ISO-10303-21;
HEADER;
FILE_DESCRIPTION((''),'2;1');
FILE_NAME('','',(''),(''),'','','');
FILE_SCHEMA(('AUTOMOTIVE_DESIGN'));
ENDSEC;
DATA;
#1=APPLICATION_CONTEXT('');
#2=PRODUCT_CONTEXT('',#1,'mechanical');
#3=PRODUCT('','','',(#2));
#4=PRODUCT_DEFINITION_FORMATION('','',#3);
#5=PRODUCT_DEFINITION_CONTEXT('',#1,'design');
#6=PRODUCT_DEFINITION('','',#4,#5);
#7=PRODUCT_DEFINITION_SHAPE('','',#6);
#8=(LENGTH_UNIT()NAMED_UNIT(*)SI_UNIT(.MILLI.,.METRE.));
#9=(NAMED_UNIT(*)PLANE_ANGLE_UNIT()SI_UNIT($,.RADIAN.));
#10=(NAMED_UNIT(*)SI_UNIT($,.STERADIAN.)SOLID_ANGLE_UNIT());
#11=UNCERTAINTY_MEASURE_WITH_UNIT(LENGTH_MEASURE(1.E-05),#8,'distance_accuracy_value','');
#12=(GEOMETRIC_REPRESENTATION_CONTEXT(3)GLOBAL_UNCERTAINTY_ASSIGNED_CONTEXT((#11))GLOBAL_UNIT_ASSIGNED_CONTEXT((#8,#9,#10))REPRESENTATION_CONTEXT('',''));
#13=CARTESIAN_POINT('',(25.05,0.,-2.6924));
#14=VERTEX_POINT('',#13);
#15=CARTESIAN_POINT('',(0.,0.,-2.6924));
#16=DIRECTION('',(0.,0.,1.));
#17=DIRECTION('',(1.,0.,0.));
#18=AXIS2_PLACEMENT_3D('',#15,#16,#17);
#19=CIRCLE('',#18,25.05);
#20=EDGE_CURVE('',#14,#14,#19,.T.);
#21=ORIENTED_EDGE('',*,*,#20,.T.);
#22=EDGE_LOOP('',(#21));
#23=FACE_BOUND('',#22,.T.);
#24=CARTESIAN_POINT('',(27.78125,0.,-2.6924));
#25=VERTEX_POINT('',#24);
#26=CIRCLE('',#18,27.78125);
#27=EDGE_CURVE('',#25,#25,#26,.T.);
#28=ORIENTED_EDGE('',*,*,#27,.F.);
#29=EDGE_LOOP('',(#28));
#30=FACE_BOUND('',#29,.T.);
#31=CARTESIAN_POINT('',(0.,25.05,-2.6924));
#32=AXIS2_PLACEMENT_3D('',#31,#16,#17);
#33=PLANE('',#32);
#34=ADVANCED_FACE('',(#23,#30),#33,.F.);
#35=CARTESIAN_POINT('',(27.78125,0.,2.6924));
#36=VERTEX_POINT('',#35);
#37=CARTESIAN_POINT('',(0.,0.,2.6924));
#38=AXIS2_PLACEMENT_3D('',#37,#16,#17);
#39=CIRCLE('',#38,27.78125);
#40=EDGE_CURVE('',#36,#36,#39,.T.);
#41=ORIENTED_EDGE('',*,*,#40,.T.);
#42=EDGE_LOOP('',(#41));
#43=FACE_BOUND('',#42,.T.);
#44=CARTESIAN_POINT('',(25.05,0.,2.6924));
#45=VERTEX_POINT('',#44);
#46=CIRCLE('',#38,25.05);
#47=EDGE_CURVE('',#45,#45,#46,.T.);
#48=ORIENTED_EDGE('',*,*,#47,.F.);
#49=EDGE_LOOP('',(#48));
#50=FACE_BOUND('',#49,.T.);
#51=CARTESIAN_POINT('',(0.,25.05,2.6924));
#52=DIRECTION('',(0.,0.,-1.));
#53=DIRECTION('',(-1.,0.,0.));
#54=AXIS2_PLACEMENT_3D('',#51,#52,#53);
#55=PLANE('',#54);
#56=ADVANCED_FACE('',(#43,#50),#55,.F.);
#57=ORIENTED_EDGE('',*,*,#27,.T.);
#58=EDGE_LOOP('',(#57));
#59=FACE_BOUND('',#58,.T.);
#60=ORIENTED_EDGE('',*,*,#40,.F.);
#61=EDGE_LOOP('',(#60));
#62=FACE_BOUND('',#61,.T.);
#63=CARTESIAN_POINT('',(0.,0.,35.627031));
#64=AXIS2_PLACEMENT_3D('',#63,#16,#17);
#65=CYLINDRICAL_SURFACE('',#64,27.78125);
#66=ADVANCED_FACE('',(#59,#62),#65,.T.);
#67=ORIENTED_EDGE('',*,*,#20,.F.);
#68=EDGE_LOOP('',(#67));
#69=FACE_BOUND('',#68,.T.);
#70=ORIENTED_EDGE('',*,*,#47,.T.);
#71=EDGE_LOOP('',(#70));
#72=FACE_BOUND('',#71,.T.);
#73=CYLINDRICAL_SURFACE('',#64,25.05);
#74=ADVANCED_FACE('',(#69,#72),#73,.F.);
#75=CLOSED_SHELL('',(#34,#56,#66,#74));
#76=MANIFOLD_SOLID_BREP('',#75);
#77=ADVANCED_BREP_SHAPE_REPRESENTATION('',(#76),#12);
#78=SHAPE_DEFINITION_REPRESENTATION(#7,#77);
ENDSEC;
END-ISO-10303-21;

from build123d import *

# Parameters (mm, degrees)
SKETCH1_W = 5.3848
SKETCH1_H = 2.73125


with BuildPart() as part:
    # Sketch1 → Revolve1 (revolve)
    with BuildSketch(Plane(origin=(0, 0, 0), x_dir=(0, 0, -1), z_dir=(1, 0, 0)), mode=Mode.PRIVATE) as revolve1_sk:
        with Locations((0, 26.415625)):
            Rectangle(SKETCH1_W, SKETCH1_H)
    revolve(revolve1_sk.sketch.rotate(Axis((0, 0, 35.62703085), (0, 0, -1)), 90), axis=Axis((0, 0, 35.62703085), (0, 0, -1)))


solid = part.part
